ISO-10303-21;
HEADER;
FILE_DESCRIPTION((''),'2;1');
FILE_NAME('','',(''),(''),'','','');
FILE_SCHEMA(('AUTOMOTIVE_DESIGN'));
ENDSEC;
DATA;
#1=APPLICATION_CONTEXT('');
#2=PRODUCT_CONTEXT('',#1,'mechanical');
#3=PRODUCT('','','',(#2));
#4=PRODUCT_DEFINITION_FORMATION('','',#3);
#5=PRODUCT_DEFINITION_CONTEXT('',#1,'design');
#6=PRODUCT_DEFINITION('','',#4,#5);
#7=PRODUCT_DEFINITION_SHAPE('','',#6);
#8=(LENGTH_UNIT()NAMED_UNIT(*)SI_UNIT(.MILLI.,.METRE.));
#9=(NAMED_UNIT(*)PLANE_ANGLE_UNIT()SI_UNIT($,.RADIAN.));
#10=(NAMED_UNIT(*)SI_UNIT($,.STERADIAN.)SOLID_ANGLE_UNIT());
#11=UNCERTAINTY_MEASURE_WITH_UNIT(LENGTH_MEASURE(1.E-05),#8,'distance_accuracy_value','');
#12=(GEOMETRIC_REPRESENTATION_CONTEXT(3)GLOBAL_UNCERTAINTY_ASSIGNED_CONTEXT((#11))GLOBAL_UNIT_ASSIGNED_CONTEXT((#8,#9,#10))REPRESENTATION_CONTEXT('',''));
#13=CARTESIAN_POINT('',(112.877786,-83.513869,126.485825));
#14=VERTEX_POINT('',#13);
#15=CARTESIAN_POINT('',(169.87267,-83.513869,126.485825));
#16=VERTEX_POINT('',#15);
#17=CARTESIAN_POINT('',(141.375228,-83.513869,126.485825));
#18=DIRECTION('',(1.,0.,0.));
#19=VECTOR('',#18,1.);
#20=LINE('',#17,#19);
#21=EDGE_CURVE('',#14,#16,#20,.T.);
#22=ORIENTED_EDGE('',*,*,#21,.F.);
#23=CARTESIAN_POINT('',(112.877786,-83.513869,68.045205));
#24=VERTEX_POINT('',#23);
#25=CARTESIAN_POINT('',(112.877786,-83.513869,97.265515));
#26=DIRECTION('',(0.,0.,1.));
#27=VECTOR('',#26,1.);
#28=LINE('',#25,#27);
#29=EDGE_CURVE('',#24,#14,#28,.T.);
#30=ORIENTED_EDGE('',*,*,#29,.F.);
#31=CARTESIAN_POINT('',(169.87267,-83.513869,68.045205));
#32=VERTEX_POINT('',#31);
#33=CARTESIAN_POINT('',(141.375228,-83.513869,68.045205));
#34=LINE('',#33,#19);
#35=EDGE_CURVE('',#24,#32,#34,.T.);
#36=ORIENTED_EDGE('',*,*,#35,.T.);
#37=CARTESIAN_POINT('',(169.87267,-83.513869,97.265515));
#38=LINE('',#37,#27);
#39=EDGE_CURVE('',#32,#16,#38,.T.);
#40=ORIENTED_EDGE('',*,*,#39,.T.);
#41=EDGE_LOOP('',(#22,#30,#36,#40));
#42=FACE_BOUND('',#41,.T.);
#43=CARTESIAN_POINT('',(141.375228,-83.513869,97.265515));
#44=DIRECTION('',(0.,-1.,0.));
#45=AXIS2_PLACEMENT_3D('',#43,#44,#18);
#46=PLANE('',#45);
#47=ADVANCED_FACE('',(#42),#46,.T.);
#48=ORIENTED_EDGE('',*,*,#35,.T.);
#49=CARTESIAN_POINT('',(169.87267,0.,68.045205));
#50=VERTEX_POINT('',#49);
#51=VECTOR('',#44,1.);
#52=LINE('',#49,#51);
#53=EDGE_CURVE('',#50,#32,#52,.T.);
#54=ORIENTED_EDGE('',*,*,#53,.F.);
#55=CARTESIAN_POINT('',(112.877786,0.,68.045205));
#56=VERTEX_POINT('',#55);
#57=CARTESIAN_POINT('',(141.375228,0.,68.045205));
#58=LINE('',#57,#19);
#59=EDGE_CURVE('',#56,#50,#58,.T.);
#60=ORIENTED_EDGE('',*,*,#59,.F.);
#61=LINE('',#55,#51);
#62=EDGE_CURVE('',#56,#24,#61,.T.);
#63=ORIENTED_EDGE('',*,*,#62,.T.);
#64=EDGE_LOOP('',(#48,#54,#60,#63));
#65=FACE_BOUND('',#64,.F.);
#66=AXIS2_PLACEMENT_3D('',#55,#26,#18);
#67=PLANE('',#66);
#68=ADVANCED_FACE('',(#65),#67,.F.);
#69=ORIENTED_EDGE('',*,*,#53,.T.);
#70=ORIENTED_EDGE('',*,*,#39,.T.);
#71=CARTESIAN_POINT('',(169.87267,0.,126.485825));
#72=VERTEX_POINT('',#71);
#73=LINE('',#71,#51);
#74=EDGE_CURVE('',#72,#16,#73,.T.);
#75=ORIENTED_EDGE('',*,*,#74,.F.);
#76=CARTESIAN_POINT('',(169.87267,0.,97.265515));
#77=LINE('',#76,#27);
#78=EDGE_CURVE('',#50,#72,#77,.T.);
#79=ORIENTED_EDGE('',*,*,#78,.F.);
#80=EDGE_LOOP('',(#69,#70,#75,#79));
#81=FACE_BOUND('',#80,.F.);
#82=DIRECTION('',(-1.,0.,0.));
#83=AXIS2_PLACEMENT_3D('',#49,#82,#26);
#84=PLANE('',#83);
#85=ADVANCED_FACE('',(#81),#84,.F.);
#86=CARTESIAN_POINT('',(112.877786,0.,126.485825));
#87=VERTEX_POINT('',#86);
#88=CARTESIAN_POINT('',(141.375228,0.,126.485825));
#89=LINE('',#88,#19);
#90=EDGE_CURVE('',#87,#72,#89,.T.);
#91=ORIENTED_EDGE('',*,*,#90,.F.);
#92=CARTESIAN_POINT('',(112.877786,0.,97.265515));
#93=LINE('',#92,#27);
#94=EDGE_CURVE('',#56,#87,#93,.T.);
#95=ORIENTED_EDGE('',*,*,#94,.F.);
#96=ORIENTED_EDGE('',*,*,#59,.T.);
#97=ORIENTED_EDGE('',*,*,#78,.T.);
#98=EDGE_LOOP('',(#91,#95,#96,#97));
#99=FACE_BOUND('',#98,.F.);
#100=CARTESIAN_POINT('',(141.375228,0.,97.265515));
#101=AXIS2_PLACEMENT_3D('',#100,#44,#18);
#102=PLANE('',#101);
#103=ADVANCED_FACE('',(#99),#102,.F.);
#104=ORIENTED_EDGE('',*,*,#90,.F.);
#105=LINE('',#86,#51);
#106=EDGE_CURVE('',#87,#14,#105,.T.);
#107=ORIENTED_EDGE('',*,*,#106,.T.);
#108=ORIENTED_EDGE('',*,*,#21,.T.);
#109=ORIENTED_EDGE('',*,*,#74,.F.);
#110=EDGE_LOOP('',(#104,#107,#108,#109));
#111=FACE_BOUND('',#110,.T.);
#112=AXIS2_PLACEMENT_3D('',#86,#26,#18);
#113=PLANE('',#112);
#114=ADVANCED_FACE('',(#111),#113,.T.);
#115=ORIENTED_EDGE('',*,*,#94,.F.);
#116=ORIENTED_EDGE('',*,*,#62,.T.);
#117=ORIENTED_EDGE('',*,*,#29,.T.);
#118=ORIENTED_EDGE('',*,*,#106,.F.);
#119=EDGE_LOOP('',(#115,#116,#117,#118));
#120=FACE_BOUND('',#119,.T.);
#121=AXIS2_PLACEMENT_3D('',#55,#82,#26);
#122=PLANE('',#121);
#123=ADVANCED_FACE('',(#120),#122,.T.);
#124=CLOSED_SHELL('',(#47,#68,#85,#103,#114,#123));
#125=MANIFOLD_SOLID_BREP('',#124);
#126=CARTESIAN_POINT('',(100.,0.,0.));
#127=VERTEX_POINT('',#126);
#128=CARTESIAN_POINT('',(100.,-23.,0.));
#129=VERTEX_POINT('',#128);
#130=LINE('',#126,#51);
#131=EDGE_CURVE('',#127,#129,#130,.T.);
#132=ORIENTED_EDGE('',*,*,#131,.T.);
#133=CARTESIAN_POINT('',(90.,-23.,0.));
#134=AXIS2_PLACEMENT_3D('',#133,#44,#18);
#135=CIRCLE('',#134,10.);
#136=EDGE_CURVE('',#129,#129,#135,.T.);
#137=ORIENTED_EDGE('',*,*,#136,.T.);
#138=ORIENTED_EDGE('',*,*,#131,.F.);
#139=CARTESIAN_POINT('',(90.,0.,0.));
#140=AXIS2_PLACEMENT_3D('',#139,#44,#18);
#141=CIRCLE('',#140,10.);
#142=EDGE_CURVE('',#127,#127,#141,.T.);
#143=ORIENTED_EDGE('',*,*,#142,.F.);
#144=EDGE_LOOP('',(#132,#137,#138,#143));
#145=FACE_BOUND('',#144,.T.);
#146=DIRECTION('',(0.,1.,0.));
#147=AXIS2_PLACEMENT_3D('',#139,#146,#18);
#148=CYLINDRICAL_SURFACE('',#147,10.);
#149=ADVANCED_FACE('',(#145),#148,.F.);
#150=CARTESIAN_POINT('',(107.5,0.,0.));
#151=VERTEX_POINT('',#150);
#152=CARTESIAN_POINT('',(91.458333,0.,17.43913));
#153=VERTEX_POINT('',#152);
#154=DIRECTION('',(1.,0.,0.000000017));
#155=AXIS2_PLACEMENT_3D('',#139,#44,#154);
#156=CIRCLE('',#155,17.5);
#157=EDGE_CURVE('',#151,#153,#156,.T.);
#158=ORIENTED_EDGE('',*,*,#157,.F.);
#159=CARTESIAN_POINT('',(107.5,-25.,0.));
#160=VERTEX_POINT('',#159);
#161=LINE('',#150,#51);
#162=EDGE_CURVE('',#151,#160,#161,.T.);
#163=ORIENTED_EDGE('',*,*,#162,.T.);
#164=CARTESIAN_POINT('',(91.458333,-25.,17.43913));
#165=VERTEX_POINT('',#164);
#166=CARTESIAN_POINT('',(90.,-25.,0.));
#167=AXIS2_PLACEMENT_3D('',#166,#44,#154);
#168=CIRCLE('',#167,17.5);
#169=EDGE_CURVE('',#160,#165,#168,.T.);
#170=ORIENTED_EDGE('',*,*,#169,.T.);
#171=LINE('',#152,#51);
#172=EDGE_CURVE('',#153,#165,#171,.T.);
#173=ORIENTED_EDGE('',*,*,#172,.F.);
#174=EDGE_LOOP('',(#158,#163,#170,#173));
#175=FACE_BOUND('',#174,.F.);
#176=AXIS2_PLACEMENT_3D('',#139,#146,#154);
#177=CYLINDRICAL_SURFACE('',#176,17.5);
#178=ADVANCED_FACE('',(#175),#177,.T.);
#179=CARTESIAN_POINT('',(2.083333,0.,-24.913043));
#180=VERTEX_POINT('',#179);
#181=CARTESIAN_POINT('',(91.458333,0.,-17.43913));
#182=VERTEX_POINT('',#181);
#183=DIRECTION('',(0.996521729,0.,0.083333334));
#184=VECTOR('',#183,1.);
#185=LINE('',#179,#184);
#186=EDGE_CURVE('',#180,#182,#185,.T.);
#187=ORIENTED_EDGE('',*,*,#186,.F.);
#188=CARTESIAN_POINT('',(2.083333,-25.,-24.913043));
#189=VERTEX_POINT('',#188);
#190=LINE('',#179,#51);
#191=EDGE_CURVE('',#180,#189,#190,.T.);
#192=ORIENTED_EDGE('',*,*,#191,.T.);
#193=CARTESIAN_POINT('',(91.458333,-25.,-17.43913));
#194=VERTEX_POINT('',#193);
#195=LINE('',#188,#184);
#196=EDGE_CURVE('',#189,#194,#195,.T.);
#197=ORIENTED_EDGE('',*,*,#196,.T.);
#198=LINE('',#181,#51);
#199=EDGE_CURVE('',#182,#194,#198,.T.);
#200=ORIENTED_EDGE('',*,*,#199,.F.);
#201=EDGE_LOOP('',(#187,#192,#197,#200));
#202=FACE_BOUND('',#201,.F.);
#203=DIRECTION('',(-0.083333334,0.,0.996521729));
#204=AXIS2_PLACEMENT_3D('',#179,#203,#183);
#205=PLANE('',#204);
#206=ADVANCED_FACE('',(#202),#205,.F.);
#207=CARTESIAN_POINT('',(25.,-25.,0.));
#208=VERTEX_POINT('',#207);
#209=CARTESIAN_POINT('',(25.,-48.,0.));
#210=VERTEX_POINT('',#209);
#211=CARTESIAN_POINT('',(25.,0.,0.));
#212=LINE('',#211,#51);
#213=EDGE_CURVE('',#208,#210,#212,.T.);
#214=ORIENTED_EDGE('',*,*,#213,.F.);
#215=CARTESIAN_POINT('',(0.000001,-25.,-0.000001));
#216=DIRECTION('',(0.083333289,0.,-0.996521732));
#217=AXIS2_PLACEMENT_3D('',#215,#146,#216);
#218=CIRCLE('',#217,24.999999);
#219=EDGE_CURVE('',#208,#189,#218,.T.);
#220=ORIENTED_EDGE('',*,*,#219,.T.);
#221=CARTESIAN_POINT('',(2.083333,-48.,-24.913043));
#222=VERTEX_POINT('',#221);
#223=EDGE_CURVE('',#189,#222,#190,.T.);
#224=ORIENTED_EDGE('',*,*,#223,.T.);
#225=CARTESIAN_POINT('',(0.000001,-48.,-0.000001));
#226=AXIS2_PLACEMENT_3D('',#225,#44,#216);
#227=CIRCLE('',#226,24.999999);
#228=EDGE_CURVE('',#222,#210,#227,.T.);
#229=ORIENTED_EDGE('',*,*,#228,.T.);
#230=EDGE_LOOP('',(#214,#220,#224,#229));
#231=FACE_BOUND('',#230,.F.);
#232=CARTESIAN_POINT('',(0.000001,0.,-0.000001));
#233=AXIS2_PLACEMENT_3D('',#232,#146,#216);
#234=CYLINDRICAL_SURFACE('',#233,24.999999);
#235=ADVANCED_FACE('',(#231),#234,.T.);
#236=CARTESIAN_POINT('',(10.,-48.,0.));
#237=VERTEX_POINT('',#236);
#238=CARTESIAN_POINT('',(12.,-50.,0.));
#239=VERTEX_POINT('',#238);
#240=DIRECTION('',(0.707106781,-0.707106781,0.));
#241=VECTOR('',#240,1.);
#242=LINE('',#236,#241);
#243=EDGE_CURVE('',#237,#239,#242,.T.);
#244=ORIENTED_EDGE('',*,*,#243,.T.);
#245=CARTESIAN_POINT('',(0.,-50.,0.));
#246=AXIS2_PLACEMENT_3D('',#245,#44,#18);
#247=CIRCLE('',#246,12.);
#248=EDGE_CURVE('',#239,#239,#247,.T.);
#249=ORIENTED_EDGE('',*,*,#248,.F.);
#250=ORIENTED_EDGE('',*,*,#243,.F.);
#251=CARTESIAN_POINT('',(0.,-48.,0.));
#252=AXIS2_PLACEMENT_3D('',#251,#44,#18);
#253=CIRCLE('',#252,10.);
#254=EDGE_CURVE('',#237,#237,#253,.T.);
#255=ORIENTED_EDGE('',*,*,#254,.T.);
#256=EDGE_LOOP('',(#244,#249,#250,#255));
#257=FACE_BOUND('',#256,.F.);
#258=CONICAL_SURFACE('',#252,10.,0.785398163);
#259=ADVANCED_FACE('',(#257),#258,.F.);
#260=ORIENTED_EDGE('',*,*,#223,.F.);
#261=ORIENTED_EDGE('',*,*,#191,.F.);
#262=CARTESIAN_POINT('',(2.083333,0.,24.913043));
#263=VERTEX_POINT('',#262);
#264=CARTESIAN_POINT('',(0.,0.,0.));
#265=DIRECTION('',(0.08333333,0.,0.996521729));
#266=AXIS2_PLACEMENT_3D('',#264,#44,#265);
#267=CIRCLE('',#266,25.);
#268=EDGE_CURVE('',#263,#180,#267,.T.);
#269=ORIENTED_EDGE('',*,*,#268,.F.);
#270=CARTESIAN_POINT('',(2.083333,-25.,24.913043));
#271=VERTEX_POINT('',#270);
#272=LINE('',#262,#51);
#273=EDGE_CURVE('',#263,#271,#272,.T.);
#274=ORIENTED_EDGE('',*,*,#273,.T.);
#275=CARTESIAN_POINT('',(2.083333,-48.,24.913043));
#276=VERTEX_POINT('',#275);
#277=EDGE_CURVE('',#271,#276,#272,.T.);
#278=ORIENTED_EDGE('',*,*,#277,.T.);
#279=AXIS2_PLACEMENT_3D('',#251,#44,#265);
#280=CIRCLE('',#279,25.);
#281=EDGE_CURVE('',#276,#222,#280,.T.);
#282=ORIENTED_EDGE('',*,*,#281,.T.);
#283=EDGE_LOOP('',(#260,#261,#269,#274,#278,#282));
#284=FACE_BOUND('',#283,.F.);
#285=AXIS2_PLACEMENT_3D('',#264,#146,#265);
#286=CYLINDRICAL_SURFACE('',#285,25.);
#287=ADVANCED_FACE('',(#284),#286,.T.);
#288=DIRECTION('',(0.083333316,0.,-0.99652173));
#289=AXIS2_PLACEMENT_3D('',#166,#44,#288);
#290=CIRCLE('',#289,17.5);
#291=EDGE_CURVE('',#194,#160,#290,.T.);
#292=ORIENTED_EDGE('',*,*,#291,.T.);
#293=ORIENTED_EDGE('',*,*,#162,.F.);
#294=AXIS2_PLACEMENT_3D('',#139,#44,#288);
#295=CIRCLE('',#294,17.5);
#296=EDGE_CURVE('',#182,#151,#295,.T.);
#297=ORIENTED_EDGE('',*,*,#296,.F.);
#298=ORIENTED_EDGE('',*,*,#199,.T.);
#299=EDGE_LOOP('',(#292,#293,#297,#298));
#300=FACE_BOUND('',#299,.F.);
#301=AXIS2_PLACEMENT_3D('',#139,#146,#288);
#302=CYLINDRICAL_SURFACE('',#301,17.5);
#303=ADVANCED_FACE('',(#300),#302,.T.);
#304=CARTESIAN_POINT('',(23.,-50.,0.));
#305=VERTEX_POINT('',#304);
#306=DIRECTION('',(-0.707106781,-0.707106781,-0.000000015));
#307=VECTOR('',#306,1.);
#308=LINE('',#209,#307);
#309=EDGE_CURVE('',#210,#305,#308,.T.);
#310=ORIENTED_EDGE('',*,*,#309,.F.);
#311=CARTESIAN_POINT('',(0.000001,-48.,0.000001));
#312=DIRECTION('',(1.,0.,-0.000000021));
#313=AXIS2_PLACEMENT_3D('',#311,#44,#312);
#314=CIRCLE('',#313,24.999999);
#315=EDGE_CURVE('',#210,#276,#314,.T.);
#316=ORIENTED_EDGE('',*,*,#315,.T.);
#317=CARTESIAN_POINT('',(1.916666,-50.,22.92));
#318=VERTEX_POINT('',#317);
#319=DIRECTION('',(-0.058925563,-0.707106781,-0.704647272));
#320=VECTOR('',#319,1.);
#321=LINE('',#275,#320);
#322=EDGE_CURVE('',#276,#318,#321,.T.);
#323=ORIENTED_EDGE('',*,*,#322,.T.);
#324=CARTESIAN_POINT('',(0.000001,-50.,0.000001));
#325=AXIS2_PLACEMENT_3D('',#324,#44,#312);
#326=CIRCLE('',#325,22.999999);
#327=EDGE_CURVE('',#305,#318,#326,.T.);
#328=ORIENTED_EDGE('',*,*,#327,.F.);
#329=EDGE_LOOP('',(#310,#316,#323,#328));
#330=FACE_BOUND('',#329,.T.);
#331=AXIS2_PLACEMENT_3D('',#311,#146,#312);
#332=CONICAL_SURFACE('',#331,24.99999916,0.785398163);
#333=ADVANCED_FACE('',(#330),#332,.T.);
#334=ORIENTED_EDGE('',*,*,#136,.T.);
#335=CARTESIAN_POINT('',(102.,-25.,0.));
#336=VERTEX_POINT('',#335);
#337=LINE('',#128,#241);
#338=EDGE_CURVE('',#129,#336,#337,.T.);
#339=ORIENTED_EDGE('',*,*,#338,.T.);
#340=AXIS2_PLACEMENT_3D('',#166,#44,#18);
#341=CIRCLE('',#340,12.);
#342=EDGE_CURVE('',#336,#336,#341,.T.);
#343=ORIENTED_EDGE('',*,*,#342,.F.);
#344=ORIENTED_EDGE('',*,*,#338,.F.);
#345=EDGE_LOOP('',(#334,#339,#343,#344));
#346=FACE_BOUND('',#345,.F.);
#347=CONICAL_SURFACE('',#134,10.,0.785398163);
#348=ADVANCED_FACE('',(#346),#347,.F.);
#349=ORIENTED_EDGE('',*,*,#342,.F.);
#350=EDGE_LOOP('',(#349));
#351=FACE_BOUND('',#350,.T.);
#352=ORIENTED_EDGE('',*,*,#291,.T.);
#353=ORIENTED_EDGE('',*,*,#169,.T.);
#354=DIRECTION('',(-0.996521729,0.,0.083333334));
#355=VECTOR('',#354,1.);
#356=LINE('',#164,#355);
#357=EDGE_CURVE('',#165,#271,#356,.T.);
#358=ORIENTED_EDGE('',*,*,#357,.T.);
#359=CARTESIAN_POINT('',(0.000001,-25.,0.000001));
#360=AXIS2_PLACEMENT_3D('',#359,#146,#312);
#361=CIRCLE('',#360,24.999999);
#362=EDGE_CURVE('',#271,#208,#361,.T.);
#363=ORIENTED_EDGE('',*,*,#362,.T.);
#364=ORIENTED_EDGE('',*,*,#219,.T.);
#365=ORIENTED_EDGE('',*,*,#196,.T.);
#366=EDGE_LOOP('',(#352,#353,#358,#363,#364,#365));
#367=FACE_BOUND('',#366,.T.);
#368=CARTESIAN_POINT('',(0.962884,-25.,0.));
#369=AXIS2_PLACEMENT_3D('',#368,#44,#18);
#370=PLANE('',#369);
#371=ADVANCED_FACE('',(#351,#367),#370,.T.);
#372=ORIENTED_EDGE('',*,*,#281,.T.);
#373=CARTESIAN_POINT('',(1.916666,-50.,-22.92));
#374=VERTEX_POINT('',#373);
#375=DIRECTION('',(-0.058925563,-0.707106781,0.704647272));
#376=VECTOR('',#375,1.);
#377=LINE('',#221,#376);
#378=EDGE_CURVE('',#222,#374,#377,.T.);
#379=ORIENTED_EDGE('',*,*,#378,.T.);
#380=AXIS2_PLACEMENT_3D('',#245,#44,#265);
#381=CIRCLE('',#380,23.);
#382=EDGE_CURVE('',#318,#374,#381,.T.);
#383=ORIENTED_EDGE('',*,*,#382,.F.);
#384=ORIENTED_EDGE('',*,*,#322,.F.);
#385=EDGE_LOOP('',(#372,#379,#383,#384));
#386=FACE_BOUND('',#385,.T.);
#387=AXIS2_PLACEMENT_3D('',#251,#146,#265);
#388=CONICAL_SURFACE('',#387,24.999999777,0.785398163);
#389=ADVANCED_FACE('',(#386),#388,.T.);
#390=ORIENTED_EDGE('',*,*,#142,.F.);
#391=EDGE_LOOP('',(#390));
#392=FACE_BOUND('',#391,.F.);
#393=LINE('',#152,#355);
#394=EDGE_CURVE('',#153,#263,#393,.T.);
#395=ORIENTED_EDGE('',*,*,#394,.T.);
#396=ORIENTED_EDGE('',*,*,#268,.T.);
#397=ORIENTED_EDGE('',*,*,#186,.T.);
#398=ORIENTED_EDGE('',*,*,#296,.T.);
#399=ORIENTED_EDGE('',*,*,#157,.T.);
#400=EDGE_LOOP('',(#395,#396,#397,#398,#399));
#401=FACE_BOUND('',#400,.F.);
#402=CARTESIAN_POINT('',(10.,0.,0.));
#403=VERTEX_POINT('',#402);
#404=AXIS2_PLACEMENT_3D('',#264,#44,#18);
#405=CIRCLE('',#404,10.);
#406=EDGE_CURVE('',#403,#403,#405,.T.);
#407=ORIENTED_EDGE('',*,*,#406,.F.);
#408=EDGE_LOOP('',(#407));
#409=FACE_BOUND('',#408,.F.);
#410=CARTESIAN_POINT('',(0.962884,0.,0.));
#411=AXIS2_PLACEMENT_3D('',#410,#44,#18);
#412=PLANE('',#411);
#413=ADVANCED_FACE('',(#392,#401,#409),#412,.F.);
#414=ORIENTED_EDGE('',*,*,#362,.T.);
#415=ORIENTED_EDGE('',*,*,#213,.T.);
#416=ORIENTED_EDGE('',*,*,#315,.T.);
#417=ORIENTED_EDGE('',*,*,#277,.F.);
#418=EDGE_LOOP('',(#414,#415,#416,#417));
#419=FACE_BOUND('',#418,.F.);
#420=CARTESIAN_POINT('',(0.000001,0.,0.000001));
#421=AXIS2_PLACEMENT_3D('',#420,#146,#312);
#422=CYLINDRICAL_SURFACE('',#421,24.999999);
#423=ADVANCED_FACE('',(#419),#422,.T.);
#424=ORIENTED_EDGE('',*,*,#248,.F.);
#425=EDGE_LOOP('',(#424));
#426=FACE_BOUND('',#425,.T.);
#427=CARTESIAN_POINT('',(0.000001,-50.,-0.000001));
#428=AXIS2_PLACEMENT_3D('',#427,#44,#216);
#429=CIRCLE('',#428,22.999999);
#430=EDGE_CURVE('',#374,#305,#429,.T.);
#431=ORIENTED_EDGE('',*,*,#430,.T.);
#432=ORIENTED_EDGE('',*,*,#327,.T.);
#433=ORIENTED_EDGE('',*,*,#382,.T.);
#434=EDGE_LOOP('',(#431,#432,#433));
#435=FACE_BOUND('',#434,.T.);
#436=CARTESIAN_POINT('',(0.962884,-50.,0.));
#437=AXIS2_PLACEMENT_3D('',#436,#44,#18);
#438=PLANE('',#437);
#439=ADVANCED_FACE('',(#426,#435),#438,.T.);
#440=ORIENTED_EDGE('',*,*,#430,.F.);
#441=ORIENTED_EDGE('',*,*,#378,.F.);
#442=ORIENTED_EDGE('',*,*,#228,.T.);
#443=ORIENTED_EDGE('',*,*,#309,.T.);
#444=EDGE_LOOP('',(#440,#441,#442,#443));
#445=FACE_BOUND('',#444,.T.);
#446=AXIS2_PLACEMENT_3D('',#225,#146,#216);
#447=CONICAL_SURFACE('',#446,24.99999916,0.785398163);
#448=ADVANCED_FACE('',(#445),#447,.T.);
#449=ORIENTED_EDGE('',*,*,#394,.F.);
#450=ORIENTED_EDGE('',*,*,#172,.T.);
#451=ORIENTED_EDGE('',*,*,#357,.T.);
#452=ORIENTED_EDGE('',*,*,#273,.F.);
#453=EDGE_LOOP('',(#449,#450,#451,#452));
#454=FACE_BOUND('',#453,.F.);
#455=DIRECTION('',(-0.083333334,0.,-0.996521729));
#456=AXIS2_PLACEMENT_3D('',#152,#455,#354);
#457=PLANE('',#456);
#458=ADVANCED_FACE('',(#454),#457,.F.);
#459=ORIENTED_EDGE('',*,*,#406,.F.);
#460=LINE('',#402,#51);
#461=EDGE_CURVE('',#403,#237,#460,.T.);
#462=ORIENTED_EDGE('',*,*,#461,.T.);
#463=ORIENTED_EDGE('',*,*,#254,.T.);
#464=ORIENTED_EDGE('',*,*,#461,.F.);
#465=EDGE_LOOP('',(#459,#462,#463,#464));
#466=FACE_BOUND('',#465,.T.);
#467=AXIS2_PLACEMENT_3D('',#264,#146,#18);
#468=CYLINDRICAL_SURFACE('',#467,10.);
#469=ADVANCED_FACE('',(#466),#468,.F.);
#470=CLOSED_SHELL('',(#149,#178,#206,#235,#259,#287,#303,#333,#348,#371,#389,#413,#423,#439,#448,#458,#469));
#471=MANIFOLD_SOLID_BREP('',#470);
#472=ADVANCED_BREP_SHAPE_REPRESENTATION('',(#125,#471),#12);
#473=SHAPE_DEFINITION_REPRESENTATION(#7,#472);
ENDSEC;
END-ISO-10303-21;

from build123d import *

# Parameters (mm, degrees)
F0_R     = 10
F1_DEPTH = 25
F2_DEPTH = 50
F3_SIZE  = 2
F4_W     = 56.994885
F4_H     = 58.440619
F5_DEPTH = 83.513869


with BuildPart() as f1:
    # F0 (on Front) → F1 (new body)
    with BuildSketch(Plane.XZ):
        with BuildLine():
            ThreePointArc((2.083333, -24.913043), (18.399502, -16.92508), (25, 0))
            ThreePointArc((25, 0), (18.399502, 16.92508), (2.083333, 24.913043))
            ThreePointArc((2.083333, 24.913043), (-25, 0), (2.083333, -24.913043))
        make_face()
        Circle(F0_R, mode=Mode.SUBTRACT)
        with BuildLine():
            ThreePointArc((2.083333, 24.913043), (18.399502, 16.92508), (25, 0))
            ThreePointArc((25, 0), (18.399502, -16.92508), (2.083333, -24.913043))
            Line((2.083333, -24.913043), (91.458333, -17.43913))
            ThreePointArc((91.458333, -17.43913), (72.5, 0), (91.458333, 17.43913))
            Line((91.458333, 17.43913), (2.083333, 24.913043))
        make_face()
        with BuildLine():
            ThreePointArc((107.5, 0), (102.879651, 11.847556), (91.458333, 17.43913))
            ThreePointArc((91.458333, 17.43913), (72.5, 0), (91.458333, -17.43913))
            ThreePointArc((91.458333, -17.43913), (102.879651, -11.847556), (107.5, 0))
        make_face()
        with Locations((90, 0)):
            Circle(F0_R, mode=Mode.SUBTRACT)
    extrude(amount=F1_DEPTH)

    # F0 (on Front) → F2 (join)
    with BuildSketch(Plane.XZ):
        with BuildLine():
            ThreePointArc((2.083333, -24.913043), (18.399502, -16.92508), (25, 0))
            ThreePointArc((25, 0), (18.399502, 16.92508), (2.083333, 24.913043))
            ThreePointArc((2.083333, 24.913043), (-25, 0), (2.083333, -24.913043))
        make_face()
        Circle(F0_R, mode=Mode.SUBTRACT)
    extrude(amount=F2_DEPTH)

    # F3
    f3_edges = [f1.edges().sort_by_distance(p)[0] for p in [
        (-2.083333, -50, 24.913043),
        (-10, -50, 0),
        (80, -25, 0),
    ]]
    chamfer(f3_edges, length=F3_SIZE)


with BuildPart() as f5:
    # F4 (on face) → F5 (new body)
    with BuildSketch(Plane.XZ):
        with Locations((141.375228, 97.265515)):
            Rectangle(F4_W, F4_H)
    extrude(amount=F5_DEPTH)


solid = Compound([f1.part, f5.part])
